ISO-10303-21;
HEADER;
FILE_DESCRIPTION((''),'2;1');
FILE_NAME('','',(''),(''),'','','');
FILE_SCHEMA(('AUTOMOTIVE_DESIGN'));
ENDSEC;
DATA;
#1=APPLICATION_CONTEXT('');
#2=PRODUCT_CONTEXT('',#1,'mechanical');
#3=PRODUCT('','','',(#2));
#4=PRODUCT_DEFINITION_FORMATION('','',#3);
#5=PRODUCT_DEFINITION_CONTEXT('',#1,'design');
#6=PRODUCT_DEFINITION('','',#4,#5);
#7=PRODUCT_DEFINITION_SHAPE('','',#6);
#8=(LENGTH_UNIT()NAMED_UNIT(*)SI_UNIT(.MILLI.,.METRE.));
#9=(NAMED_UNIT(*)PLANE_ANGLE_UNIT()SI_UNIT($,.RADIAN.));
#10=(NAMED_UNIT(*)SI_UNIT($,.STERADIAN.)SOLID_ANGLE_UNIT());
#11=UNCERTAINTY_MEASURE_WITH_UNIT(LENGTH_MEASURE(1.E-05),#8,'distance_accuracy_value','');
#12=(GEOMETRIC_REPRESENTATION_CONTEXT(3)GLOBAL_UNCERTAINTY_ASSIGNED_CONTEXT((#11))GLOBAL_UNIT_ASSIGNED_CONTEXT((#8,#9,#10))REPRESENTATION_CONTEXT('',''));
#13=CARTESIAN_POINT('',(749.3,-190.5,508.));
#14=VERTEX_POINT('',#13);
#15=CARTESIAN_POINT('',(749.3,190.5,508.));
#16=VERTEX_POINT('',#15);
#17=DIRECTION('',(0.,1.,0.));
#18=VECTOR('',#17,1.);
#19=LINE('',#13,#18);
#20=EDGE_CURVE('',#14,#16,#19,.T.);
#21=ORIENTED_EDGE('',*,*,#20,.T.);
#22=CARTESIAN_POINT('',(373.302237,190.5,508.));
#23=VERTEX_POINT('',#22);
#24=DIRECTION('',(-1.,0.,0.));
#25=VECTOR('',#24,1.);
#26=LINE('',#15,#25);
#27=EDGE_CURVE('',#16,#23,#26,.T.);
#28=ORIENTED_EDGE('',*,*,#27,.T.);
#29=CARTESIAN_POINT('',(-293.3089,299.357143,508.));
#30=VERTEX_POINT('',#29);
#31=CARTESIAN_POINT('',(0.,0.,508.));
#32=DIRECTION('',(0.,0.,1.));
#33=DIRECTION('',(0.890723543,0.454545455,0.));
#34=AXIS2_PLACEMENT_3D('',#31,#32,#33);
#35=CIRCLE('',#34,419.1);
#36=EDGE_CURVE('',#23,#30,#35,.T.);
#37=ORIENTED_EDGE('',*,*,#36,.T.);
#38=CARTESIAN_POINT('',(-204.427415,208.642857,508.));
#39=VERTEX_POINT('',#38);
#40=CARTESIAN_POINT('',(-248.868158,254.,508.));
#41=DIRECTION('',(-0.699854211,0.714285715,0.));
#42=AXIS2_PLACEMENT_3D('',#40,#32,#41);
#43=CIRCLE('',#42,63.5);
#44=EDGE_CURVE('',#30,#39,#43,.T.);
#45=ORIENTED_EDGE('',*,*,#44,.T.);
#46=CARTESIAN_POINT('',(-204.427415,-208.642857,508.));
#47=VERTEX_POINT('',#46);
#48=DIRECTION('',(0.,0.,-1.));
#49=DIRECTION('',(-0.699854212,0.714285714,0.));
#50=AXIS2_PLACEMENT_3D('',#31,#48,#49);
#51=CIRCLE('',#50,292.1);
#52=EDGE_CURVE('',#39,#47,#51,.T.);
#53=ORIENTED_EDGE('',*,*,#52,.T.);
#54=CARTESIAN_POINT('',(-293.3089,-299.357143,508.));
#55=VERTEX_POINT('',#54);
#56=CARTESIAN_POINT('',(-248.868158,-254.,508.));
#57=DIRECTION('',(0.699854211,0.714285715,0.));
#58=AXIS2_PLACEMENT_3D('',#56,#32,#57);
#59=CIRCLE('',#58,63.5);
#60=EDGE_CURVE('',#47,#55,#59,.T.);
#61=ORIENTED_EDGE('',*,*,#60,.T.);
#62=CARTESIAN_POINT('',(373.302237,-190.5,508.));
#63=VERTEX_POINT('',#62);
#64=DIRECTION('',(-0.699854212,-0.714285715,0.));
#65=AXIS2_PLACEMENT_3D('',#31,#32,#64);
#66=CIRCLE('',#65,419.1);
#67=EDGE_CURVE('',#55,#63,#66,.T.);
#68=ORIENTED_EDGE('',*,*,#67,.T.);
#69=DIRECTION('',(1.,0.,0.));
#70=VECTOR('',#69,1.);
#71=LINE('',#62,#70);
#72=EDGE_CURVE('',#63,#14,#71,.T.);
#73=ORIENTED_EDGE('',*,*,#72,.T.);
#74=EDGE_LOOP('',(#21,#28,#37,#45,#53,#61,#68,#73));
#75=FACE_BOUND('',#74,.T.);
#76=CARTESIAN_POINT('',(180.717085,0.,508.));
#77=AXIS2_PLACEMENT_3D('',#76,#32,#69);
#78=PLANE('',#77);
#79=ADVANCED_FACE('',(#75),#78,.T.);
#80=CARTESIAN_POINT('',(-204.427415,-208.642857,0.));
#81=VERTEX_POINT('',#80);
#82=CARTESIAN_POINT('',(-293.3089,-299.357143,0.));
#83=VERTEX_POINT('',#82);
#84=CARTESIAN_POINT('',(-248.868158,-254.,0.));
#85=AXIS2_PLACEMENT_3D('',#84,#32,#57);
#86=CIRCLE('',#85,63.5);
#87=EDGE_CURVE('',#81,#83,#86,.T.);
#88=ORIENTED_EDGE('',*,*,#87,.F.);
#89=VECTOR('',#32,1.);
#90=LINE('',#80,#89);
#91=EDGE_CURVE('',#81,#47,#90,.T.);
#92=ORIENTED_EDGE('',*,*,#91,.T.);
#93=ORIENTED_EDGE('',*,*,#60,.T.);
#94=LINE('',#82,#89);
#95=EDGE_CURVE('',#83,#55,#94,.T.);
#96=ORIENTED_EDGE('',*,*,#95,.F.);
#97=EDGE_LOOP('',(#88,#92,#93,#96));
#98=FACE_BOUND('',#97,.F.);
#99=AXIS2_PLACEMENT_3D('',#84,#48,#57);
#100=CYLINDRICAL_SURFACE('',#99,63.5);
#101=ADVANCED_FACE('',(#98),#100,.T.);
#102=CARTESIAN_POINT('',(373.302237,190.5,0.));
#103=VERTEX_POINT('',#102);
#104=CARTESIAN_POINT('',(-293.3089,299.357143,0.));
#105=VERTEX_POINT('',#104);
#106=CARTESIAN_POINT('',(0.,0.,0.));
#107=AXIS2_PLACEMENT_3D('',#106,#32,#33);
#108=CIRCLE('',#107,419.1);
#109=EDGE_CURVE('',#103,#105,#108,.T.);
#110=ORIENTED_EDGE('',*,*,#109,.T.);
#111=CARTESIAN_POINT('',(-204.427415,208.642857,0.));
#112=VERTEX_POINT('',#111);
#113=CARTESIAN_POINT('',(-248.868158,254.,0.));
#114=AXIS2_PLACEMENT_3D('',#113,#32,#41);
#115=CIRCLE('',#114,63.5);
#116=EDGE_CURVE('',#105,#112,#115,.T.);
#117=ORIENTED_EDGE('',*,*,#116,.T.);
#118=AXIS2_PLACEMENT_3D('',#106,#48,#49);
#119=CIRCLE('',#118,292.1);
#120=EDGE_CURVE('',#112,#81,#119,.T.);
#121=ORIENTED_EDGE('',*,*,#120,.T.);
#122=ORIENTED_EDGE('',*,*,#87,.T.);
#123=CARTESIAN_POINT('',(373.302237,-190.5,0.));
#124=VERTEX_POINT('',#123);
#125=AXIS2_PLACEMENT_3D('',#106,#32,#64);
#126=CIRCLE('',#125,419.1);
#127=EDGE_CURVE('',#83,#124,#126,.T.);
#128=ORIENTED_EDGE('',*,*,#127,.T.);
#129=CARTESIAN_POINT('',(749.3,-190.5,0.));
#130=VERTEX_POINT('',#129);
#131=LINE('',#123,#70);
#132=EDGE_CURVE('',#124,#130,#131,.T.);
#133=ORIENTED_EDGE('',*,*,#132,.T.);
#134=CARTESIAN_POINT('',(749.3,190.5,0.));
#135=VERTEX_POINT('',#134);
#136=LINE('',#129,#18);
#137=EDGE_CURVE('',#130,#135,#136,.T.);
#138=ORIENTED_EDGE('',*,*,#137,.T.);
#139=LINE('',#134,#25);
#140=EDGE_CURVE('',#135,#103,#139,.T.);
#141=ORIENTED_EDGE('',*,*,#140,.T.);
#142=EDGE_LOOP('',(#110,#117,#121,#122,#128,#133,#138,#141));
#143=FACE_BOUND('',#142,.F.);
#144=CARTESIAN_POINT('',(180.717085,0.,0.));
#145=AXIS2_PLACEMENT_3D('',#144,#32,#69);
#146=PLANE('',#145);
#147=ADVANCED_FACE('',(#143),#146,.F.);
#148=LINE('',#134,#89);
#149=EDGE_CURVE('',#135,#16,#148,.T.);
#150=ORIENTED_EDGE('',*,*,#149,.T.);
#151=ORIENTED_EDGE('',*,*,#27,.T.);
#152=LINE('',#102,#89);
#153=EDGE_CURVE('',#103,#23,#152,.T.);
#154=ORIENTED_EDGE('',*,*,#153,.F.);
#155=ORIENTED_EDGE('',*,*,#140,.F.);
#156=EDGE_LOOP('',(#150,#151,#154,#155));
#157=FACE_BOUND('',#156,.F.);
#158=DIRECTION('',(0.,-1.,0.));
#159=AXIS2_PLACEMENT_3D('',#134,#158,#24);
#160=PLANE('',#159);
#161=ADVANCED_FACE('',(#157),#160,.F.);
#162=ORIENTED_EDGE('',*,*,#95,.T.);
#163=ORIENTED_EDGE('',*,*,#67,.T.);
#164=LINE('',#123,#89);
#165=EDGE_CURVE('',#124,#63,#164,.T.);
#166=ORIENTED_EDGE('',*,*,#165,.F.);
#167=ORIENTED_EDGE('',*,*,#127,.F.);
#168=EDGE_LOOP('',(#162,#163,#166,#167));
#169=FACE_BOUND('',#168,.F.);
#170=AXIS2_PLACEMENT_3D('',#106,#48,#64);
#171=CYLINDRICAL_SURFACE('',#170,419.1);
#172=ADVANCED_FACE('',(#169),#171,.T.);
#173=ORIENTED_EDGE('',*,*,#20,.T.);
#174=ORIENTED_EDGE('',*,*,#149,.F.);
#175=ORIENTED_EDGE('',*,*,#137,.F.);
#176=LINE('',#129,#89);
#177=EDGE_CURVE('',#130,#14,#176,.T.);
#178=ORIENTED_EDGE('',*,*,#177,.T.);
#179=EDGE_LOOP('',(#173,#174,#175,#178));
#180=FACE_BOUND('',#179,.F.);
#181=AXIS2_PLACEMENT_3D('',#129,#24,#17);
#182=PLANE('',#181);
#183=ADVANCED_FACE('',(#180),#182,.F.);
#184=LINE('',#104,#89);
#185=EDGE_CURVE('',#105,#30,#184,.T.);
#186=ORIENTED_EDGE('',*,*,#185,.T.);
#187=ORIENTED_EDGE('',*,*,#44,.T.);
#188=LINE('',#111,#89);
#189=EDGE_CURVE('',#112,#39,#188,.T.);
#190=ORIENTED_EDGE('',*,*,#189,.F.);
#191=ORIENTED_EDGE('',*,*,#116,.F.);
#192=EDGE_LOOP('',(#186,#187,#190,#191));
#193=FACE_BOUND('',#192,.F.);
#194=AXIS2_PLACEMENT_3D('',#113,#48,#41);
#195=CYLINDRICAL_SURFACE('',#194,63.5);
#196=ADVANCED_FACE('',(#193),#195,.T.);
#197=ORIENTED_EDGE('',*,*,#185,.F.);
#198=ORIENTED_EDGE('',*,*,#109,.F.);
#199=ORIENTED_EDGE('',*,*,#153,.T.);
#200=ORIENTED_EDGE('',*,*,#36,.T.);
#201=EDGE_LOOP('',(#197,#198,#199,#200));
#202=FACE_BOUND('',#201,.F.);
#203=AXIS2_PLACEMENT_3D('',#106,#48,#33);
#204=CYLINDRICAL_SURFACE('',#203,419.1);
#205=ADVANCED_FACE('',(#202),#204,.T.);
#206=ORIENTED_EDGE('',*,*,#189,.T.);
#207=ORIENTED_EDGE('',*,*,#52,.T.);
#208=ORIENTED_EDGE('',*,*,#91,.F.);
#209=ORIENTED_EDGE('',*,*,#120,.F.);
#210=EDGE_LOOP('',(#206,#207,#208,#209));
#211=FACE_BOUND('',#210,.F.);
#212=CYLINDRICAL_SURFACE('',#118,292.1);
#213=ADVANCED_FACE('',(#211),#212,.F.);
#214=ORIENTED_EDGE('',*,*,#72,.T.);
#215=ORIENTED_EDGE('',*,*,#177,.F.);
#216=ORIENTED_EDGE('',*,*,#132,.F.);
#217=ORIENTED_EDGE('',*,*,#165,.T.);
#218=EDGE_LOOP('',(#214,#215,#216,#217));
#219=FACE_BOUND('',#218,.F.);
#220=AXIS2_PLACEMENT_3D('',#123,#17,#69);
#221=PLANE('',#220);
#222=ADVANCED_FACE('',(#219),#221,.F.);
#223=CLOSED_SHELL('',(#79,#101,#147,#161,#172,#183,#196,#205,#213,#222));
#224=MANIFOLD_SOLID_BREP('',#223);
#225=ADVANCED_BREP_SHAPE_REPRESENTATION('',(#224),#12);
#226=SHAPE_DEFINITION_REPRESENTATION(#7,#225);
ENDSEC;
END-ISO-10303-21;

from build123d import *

# Parameters (mm, degrees)
F1_DEPTH = 508


with BuildPart() as f1:
    # F0 (on Top) → F1 (new body)
    with BuildSketch(Plane.XY):
        with BuildLine():
            ThreePointArc((-204.427415, 208.642857), (292.1, 0), (-204.427415, -208.642857))
            ThreePointArc((-204.427415, -208.642857), (-294.225301, -209.559258), (-293.3089, -299.357143))
            ThreePointArc((-293.3089, -299.357143), (67.544081, -413.621333), (373.302237, -190.5))
            Line((373.302237, -190.5), (419.1, -190.5))
            Line((419.1, -190.5), (749.3, -190.5))
            Line((749.3, -190.5), (749.3, 0))
            Line((749.3, 0), (749.3, 190.5))
            Line((749.3, 190.5), (419.1, 190.5))
            Line((419.1, 190.5), (373.302237, 190.5))
            ThreePointArc((373.302237, 190.5), (67.544081, 413.621333), (-293.3089, 299.357143))
            ThreePointArc((-293.3089, 299.357143), (-294.225301, 209.559258), (-204.427415, 208.642857))
        make_face()
    extrude(amount=F1_DEPTH)


solid = f1.part
